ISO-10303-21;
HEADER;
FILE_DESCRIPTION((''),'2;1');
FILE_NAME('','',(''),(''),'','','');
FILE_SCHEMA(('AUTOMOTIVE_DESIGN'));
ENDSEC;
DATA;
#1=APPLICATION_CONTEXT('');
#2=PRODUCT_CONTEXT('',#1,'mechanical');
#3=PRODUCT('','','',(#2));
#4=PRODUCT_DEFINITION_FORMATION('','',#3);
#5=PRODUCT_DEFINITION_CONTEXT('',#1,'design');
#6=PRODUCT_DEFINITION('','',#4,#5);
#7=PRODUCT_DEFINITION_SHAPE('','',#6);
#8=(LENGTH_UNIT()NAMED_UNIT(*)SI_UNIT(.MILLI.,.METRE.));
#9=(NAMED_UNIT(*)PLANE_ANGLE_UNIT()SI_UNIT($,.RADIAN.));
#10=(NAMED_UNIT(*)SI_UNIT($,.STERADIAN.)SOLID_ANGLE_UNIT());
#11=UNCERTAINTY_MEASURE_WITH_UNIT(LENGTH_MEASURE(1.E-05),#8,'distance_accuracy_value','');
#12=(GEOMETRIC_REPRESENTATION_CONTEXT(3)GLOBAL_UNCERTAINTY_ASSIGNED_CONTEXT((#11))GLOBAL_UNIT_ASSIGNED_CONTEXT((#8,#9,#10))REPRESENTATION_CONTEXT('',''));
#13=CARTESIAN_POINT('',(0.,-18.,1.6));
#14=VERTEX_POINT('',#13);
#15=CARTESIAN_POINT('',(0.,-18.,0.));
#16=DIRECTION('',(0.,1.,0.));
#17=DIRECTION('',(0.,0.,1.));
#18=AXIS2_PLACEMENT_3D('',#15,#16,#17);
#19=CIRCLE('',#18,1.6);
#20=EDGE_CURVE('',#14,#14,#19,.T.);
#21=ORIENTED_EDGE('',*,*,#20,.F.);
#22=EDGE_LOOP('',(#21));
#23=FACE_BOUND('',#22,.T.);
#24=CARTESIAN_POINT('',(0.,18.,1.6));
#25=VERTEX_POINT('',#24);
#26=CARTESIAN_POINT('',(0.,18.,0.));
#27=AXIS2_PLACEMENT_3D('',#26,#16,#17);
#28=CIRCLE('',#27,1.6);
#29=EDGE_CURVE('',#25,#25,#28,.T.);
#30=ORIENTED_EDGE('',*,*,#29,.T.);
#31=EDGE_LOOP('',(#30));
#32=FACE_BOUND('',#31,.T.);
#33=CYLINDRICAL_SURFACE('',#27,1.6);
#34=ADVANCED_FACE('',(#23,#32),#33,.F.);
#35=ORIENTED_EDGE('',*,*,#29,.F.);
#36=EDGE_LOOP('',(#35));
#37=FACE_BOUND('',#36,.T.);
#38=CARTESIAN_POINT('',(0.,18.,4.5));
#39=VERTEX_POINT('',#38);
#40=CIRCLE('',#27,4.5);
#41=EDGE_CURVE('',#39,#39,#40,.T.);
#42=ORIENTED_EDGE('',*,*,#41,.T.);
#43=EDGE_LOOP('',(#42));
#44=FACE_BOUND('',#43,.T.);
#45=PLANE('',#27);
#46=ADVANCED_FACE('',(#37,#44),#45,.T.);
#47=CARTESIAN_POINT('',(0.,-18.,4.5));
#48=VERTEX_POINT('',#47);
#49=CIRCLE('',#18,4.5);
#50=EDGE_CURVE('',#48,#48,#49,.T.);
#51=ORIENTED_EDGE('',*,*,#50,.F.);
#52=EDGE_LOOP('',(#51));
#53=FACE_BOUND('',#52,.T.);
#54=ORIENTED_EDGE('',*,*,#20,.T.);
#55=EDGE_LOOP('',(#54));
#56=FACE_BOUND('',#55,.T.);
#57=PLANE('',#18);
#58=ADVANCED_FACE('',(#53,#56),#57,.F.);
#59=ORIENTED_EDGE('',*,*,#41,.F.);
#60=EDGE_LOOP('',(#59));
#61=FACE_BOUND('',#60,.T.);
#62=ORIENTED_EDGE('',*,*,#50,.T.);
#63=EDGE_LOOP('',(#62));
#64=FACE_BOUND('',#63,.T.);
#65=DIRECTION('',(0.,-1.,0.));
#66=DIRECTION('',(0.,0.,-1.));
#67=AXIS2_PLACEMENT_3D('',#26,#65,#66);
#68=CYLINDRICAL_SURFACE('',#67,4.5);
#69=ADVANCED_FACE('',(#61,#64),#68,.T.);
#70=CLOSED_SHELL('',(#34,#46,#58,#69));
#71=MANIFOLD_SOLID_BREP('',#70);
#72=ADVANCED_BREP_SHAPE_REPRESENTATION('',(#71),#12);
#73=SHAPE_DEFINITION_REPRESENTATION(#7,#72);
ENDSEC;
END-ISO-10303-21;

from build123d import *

# Parameters (mm, degrees)
SKETCH1_R            = 4.5
BOSS_EXTRUDE1_DEPTH  = 18
M3_CLEARANCE_HOLE1_D = 3.2


with BuildPart() as part:
    # Sketch1 → Boss-Extrude1 (new, symmetric)
    with BuildSketch(Plane(origin=(0, 0, 0), x_dir=(1, 0, 0), z_dir=(0, 1, 0))):
        with Locations(Location((0, 0, 0), (0, 0, 270))):
            Circle(SKETCH1_R)
    extrude(amount=BOSS_EXTRUDE1_DEPTH, both=True)

    # M3 Clearance Hole1 (through all)
    with Locations(Plane(origin=(0, 18, 0), x_dir=(1, 0, 0), z_dir=(0, 1, 0))):
        with Locations((0, 0)):
            Hole(M3_CLEARANCE_HOLE1_D / 2)


solid = part.part
